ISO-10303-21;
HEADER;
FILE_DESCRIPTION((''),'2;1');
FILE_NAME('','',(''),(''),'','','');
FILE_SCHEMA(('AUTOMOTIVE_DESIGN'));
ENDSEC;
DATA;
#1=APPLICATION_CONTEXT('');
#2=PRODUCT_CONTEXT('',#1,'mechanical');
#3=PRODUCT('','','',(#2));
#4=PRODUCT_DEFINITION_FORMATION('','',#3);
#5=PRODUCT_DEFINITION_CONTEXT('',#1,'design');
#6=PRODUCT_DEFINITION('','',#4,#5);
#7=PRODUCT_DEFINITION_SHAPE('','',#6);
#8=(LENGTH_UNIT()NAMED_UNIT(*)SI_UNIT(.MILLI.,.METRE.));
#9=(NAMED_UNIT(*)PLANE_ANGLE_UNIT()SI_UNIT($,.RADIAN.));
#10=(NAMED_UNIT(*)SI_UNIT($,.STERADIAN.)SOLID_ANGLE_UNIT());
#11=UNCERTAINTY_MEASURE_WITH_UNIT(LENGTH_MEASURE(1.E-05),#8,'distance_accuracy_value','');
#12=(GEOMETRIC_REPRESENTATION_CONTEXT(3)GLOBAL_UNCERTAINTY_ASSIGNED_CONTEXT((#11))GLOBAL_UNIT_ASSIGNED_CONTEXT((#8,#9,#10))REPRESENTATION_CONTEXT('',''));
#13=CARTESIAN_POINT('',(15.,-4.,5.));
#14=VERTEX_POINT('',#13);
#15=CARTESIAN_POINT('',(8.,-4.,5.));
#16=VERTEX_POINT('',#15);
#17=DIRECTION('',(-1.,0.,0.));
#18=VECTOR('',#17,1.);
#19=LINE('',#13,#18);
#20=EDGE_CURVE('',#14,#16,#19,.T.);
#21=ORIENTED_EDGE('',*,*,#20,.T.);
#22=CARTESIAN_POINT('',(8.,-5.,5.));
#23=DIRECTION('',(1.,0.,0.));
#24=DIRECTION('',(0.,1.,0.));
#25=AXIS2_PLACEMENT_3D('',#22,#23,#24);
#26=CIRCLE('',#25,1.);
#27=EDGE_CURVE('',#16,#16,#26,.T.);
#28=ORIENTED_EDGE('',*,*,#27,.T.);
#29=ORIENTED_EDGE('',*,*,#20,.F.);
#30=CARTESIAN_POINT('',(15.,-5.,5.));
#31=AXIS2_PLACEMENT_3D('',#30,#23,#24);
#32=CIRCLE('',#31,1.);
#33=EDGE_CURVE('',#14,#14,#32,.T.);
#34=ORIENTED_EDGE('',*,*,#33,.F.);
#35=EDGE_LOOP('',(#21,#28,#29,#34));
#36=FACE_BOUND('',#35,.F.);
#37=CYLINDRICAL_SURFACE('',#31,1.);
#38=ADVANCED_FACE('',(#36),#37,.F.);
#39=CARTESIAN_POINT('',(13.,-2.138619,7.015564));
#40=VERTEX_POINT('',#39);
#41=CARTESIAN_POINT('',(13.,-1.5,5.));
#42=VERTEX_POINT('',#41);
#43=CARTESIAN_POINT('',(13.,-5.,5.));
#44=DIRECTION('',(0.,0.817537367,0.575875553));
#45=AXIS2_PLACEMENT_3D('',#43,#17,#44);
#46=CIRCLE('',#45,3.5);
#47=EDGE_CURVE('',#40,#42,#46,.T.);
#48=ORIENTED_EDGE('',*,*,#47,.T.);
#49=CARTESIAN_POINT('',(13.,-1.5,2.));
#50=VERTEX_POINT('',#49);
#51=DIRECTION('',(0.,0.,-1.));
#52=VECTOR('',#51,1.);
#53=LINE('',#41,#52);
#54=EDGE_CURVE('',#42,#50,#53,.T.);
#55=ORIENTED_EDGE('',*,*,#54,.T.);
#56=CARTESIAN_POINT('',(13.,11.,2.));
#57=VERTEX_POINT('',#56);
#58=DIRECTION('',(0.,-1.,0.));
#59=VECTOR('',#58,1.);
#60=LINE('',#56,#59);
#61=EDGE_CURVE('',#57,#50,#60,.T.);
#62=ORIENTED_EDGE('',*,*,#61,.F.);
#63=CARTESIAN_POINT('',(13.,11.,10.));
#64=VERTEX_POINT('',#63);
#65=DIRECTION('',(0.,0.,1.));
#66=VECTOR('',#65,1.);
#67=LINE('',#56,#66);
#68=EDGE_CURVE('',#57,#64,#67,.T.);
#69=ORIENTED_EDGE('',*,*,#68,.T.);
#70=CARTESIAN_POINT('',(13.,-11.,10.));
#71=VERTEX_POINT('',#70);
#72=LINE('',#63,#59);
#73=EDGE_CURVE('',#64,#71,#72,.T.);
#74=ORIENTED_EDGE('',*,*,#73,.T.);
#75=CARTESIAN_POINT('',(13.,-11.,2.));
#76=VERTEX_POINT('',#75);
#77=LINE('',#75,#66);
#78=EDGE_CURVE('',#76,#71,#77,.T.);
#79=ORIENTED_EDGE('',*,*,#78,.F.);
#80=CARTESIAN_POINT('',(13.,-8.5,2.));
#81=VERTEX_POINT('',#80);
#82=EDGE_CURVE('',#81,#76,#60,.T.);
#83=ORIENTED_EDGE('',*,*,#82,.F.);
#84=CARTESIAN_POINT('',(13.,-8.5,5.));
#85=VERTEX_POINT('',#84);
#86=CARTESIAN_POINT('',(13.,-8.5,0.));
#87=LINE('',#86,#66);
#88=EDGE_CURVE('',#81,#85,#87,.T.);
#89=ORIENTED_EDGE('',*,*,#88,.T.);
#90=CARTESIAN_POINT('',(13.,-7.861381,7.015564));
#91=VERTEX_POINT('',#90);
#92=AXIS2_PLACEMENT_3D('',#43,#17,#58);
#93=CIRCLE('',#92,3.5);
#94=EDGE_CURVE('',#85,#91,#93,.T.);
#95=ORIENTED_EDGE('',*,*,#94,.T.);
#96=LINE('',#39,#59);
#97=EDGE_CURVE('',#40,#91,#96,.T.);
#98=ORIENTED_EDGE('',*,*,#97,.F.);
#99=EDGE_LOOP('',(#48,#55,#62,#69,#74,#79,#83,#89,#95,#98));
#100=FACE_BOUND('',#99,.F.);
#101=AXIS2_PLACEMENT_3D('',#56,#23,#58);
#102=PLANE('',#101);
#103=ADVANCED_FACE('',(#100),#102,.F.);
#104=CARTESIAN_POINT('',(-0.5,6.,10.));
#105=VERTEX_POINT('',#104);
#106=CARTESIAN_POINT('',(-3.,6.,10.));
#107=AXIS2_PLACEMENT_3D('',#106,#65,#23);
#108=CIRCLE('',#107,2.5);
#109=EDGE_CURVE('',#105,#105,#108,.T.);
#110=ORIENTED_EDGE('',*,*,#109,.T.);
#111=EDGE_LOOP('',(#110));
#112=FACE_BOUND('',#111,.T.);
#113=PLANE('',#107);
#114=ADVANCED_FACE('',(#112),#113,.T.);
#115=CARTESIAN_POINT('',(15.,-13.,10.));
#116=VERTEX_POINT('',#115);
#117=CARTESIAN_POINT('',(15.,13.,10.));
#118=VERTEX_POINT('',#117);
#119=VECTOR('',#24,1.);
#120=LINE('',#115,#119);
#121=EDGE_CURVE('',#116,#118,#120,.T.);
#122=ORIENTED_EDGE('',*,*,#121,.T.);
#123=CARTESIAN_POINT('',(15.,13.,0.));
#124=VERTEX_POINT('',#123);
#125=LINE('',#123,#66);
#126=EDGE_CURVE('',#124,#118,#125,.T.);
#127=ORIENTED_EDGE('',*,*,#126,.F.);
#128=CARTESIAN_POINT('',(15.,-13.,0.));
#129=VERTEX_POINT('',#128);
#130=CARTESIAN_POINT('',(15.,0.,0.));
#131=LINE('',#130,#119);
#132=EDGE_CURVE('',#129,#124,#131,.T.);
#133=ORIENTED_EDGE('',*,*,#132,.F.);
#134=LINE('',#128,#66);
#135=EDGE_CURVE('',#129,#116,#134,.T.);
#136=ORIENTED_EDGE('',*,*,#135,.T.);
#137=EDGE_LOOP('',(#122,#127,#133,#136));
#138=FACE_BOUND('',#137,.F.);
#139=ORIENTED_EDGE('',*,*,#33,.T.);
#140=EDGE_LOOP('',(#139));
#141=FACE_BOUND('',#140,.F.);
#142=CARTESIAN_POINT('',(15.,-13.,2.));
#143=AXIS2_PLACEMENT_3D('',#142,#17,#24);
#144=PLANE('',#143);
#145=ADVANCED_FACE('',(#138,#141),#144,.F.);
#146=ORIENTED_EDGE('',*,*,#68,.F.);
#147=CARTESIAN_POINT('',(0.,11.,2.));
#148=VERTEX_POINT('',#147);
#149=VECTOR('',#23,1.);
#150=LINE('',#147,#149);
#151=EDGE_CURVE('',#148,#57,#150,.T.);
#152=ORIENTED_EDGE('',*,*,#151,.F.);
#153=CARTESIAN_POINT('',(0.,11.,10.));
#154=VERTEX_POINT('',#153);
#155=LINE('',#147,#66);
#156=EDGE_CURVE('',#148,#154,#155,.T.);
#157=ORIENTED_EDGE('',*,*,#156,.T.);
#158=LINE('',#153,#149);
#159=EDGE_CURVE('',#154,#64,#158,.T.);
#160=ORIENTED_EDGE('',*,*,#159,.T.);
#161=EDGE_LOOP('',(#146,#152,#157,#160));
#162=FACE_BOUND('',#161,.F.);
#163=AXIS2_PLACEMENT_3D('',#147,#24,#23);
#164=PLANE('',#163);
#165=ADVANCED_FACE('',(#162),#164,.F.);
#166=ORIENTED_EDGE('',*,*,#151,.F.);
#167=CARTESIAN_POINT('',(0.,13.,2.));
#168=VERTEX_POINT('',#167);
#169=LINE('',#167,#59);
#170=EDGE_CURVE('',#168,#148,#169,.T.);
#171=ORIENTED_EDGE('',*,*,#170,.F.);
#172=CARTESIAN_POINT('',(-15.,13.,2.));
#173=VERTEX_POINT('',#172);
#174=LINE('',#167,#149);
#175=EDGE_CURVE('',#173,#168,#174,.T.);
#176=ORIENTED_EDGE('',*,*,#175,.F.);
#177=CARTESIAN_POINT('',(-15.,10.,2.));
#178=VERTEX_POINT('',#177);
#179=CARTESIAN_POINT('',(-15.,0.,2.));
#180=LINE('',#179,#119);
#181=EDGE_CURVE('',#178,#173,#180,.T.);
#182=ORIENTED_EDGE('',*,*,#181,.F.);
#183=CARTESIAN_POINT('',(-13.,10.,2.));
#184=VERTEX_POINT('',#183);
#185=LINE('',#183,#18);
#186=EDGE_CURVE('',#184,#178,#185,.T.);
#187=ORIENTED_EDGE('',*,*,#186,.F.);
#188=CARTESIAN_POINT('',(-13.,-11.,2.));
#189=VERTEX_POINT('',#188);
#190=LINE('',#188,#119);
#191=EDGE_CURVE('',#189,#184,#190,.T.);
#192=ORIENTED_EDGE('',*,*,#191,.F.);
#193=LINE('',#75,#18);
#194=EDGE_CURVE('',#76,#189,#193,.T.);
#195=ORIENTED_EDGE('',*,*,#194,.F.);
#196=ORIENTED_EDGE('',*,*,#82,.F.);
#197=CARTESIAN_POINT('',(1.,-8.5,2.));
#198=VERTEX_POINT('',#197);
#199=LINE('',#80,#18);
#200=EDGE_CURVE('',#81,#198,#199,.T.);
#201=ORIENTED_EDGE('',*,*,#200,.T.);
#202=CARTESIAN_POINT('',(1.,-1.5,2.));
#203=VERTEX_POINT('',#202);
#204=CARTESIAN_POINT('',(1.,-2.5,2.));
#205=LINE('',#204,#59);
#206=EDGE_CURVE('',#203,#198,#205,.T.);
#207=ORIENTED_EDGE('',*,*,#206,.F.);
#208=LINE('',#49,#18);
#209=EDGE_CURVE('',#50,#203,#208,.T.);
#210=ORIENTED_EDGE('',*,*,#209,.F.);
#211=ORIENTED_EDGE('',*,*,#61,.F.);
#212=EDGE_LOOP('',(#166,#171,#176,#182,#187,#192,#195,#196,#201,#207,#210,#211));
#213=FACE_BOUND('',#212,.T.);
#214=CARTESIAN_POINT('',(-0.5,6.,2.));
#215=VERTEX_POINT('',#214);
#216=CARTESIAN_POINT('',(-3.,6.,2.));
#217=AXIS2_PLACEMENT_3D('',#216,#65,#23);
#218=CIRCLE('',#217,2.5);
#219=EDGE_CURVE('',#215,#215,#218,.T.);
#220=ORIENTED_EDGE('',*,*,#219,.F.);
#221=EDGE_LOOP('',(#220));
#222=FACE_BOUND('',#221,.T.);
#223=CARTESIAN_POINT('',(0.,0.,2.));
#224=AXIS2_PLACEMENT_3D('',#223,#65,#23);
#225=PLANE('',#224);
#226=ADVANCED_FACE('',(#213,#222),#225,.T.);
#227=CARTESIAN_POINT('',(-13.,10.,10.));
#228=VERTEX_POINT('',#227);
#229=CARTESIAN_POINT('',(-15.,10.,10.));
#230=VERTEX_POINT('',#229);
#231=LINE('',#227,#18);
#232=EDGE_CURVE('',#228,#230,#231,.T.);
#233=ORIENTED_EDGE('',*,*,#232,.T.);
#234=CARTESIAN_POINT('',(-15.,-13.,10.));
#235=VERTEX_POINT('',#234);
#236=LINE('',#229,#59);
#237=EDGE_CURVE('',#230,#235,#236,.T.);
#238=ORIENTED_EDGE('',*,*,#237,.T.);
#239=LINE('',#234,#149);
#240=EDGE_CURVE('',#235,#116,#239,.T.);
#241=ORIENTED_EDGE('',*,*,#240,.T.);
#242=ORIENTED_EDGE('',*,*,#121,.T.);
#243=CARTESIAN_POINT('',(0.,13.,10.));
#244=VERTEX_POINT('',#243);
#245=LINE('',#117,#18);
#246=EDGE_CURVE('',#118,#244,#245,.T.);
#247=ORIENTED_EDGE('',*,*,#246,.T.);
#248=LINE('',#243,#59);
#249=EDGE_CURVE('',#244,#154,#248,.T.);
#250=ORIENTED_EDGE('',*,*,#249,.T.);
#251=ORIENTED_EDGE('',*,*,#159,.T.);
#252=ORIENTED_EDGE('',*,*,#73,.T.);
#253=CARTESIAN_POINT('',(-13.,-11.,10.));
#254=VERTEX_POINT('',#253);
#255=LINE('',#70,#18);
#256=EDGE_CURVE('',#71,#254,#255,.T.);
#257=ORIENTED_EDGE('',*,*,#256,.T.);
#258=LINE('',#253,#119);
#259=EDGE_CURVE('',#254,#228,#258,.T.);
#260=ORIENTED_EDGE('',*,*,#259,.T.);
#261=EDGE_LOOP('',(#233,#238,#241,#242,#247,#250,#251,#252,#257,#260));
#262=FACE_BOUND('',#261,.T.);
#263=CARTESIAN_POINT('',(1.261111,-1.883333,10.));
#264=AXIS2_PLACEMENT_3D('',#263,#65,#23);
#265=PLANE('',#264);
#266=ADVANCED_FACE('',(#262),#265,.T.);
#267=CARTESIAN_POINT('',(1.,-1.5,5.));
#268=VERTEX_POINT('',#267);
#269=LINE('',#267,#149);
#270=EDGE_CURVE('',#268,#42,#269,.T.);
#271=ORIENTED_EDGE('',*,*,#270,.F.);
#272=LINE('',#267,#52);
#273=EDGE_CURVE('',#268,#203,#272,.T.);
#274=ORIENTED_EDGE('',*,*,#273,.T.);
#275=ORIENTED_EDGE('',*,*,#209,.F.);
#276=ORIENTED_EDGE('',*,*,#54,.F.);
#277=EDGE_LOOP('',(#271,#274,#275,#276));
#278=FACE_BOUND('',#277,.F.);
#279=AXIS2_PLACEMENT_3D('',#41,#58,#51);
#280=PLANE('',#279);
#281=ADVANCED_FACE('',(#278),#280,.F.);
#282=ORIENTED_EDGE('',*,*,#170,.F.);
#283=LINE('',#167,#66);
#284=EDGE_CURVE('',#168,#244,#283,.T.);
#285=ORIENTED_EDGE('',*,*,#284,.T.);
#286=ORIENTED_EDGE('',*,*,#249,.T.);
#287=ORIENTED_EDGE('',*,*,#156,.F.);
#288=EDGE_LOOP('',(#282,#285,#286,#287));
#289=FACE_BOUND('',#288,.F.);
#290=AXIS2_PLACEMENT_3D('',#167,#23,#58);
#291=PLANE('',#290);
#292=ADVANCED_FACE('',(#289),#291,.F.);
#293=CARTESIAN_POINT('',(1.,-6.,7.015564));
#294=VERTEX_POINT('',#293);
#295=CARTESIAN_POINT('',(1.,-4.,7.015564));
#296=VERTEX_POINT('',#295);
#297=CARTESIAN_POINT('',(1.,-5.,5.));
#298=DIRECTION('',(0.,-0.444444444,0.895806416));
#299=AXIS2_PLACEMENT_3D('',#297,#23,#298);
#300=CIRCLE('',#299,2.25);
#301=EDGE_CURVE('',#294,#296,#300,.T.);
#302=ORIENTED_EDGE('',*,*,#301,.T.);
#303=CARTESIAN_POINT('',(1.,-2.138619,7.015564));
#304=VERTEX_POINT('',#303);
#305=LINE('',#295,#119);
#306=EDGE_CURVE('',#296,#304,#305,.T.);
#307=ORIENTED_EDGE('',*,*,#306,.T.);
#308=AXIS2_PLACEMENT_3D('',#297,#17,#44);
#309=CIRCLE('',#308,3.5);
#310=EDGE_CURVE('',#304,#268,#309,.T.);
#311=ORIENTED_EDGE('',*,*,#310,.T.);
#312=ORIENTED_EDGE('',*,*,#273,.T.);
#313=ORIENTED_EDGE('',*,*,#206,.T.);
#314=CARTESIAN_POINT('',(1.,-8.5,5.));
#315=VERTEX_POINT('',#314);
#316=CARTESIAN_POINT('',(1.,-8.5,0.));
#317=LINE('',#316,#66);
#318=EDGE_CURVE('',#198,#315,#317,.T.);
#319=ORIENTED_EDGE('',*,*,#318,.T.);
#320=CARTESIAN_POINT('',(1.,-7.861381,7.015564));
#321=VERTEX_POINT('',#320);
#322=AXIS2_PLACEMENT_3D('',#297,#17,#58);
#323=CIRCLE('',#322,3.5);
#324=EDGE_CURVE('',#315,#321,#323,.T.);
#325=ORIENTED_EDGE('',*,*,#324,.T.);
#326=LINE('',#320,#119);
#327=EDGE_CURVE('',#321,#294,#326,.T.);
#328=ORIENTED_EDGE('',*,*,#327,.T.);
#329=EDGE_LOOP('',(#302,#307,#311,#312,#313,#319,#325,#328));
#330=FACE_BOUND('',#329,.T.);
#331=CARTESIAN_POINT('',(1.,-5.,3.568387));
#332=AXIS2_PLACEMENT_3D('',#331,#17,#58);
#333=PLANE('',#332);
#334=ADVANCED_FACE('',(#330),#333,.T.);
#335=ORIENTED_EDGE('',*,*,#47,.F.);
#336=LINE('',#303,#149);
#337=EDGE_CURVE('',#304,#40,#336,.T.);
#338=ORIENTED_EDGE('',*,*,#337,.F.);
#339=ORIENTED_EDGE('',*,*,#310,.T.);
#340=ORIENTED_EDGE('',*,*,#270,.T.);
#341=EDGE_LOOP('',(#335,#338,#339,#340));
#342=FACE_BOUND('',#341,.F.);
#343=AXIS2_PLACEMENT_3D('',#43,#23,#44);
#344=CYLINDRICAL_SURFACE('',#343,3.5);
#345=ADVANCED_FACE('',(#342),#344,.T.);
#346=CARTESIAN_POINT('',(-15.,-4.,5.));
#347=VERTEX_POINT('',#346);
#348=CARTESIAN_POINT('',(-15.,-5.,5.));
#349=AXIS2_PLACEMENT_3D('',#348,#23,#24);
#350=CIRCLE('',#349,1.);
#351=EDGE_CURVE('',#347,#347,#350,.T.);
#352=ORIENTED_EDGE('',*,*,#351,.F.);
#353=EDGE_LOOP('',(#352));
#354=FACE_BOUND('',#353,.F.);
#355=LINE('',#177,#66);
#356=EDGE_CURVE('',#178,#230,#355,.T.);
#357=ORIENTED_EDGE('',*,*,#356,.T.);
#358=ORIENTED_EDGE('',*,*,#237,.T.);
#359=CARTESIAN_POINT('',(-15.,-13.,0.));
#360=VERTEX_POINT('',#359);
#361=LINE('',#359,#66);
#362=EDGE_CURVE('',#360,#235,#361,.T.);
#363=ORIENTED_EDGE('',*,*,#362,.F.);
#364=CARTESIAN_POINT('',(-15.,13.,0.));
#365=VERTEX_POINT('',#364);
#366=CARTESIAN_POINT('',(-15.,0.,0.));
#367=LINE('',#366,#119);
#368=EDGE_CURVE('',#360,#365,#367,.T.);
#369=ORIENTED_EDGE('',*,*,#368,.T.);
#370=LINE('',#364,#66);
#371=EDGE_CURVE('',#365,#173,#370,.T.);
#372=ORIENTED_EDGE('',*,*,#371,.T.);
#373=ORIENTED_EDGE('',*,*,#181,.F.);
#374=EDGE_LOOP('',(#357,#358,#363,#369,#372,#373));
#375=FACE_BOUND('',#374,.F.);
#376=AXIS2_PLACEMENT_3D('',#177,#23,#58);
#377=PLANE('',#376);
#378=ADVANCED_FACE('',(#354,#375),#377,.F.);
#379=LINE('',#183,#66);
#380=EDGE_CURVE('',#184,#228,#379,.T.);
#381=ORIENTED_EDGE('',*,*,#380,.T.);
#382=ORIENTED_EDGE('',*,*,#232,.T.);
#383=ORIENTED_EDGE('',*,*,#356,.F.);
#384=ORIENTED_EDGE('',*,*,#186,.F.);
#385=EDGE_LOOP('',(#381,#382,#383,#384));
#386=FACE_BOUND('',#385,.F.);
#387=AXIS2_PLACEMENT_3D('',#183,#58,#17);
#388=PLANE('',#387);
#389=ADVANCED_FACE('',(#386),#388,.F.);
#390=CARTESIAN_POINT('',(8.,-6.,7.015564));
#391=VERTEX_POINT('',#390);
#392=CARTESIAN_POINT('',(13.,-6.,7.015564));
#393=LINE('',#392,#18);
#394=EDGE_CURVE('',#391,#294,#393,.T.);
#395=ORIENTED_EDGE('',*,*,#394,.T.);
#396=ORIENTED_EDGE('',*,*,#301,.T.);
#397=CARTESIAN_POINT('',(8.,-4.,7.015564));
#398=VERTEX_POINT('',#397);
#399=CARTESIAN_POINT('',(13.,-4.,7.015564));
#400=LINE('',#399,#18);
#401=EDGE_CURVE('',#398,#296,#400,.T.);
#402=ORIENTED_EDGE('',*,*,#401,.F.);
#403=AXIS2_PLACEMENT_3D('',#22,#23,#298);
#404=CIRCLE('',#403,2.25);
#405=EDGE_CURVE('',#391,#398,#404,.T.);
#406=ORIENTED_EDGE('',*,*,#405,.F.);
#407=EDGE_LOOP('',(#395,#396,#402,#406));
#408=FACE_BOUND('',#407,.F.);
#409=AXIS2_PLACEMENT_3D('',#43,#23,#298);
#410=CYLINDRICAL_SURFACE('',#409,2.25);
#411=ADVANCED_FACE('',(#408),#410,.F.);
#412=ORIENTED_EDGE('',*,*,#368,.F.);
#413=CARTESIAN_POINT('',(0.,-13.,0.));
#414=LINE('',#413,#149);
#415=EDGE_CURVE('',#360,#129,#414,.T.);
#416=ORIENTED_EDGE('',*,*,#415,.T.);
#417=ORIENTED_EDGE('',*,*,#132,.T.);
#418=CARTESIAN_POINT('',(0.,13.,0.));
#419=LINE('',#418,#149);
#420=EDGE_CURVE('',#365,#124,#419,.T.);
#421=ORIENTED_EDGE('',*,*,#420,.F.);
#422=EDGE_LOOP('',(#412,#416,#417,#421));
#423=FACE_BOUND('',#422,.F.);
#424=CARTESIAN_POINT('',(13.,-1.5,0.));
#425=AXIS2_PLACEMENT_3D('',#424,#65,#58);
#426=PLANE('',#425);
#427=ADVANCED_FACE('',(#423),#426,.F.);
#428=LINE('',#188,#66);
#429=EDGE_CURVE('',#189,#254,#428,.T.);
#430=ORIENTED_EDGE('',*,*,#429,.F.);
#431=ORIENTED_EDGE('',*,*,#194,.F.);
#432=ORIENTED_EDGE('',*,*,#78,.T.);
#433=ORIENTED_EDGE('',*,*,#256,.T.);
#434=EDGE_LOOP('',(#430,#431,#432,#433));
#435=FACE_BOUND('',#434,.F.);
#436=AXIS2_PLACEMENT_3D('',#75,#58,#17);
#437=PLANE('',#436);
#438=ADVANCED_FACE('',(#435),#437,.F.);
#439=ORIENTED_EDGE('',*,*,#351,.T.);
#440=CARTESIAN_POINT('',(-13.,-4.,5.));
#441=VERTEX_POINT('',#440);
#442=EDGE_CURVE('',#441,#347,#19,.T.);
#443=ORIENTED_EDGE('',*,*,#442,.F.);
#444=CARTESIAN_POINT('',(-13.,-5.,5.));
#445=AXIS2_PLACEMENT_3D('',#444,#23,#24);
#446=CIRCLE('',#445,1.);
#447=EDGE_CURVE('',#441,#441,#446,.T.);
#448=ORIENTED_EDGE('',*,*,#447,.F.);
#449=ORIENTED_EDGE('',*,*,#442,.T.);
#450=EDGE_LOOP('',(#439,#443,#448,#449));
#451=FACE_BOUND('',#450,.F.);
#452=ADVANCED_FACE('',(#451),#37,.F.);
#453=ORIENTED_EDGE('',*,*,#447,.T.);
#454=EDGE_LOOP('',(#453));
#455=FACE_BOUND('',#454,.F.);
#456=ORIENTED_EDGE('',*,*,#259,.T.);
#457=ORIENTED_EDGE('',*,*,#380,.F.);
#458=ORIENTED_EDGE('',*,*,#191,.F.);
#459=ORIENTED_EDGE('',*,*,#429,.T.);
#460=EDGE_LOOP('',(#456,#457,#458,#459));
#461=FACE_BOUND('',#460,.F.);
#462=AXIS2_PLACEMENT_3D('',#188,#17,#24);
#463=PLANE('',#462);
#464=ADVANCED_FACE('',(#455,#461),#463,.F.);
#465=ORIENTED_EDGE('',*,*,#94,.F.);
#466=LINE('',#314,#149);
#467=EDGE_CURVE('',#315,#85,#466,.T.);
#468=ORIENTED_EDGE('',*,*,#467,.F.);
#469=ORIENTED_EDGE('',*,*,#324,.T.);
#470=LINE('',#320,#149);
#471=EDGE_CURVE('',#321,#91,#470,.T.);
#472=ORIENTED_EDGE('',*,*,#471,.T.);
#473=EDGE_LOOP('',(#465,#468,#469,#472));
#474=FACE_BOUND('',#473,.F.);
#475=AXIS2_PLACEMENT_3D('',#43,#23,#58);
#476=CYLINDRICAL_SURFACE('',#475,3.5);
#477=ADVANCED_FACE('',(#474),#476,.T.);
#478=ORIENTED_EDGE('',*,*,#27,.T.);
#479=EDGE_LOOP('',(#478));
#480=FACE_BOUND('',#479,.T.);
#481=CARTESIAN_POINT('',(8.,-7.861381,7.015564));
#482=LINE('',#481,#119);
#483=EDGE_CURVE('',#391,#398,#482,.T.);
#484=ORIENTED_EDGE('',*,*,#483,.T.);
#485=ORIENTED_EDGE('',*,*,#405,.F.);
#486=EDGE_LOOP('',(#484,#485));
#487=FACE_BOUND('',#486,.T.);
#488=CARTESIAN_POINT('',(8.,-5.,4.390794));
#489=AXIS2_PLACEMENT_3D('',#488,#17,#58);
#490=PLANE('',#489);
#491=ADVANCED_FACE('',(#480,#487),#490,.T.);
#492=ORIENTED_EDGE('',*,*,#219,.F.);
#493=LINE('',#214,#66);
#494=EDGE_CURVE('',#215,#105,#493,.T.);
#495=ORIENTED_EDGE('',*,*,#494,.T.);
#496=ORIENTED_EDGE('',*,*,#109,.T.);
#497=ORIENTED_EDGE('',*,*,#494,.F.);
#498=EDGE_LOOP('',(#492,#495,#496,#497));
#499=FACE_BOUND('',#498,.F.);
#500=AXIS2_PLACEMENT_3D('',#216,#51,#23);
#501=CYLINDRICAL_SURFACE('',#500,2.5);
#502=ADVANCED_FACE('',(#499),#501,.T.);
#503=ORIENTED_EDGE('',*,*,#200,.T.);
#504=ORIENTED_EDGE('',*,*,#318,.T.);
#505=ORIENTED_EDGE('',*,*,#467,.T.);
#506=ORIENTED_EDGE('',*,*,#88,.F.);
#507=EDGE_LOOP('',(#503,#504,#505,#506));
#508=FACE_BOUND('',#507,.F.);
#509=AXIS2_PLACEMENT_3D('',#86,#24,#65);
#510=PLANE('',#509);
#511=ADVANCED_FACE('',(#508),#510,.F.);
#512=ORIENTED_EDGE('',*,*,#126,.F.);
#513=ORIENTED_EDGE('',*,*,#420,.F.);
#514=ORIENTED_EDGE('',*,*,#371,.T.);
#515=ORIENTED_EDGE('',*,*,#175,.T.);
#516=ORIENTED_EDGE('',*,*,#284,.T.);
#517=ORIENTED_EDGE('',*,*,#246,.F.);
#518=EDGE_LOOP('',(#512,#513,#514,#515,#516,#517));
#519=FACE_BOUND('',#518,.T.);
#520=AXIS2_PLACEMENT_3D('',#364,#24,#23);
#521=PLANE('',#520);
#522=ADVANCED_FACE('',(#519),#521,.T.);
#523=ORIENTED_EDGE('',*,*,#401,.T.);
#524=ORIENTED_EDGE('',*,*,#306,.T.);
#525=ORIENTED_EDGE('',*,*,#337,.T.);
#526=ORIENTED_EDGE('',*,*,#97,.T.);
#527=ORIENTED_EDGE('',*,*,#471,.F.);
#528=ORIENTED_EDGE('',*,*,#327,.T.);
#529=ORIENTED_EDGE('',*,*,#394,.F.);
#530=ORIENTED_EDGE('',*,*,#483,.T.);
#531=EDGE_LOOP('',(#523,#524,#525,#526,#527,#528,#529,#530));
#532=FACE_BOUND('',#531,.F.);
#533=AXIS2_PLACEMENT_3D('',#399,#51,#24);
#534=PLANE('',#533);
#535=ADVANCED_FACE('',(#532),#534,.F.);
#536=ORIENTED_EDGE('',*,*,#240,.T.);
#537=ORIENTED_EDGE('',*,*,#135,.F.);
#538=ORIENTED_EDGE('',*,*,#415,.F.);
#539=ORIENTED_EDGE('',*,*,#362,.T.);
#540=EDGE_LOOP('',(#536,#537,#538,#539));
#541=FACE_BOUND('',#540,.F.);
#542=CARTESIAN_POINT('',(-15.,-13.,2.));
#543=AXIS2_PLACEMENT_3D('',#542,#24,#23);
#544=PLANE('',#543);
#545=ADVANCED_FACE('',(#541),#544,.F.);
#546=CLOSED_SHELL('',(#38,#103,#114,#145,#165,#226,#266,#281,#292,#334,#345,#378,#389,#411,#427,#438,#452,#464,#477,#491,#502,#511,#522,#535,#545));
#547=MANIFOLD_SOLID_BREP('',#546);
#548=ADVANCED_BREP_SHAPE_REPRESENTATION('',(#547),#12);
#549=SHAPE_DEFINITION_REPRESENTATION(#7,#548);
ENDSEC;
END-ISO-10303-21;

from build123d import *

# Parameters (mm, degrees)
F0_W      = 30
F0_H      = 26
F1_DEPTH  = 2
F3_DEPTH  = 8
F4_R      = 2.5
F5_DEPTH  = 8
F7_DEPTH  = 12
F9_DEPTH  = 5
F10_R     = 1
F11_DEPTH = 30.001


with BuildPart() as f1:
    # F0 (on Top) → F1 (new body)
    with BuildSketch(Plane.XY):
        Rectangle(F0_W, F0_H)
    extrude(amount=F1_DEPTH)

    # F2 (on face) → F3 (join)
    with BuildSketch(Plane.XY.offset(2)):
        Polygon((-15, 10), (-15, -13), (15, -13), (15, 13), (0, 13), (0, 11), (13, 11), (13, -11), (-13, -11), (-13, 10), align=None)
    extrude(amount=F3_DEPTH)

    # F4 (on face) → F5 (join, through all)
    with BuildSketch(Plane.XY.offset(2)):
        with Locations((-3, 6)):
            Circle(F4_R)
    extrude(amount=F5_DEPTH)

    # F6 (on face) → F7 (join)
    with BuildSketch(Plane(origin=(13, 0, 0), x_dir=(0, -1, 0), z_dir=(-1, 0, 0))):
        with BuildLine():
            Line((8.5, 0), (8.5, 5))
            ThreePointArc((8.5, 5), (8.3365275924, 6.0571582782), (7.8613807856, 7.0155644371))
            Line((7.8613807856, 7.0155644371), (6, 7.0155644371))
            ThreePointArc((6, 7.0155644371), (5, 2.75), (4, 7.0155644371))
            Line((4, 7.0155644371), (2.1386192144, 7.0155644371))
            ThreePointArc((2.1386192144, 7.0155644371), (1.6634724076, 6.0571582782), (1.5, 5))
            Line((1.5, 5), (1.5, 0))
            Line((1.5, 0), (8.5, 0))
        make_face()
    extrude(amount=F7_DEPTH)

    # F8 (on face) → F9 (join)
    with BuildSketch(Plane(origin=(13, 0, 0), x_dir=(0, -1, 0), z_dir=(-1, 0, 0))):
        with BuildLine():
            Line((1.5, 2), (8.5, 2))
            Line((8.5, 2), (8.5, 5))
            ThreePointArc((8.5, 5), (8.3365275924, 6.0571582782), (7.8613807856, 7.0155644371))
            Line((7.8613807856, 7.0155644371), (2.1386192144, 7.0155644371))
            ThreePointArc((2.1386192144, 7.0155644371), (1.6634724076, 6.0571582782), (1.5, 5))
            Line((1.5, 5), (1.5, 2))
        make_face()
    extrude(amount=F9_DEPTH)

    # F10 (on face) → F11 (cut, through all)
    with BuildSketch(Plane.YZ.offset(15)):
        with Locations((-5, 5)):
            Circle(F10_R)
    extrude(amount=-F11_DEPTH, mode=Mode.SUBTRACT)


solid = f1.part
